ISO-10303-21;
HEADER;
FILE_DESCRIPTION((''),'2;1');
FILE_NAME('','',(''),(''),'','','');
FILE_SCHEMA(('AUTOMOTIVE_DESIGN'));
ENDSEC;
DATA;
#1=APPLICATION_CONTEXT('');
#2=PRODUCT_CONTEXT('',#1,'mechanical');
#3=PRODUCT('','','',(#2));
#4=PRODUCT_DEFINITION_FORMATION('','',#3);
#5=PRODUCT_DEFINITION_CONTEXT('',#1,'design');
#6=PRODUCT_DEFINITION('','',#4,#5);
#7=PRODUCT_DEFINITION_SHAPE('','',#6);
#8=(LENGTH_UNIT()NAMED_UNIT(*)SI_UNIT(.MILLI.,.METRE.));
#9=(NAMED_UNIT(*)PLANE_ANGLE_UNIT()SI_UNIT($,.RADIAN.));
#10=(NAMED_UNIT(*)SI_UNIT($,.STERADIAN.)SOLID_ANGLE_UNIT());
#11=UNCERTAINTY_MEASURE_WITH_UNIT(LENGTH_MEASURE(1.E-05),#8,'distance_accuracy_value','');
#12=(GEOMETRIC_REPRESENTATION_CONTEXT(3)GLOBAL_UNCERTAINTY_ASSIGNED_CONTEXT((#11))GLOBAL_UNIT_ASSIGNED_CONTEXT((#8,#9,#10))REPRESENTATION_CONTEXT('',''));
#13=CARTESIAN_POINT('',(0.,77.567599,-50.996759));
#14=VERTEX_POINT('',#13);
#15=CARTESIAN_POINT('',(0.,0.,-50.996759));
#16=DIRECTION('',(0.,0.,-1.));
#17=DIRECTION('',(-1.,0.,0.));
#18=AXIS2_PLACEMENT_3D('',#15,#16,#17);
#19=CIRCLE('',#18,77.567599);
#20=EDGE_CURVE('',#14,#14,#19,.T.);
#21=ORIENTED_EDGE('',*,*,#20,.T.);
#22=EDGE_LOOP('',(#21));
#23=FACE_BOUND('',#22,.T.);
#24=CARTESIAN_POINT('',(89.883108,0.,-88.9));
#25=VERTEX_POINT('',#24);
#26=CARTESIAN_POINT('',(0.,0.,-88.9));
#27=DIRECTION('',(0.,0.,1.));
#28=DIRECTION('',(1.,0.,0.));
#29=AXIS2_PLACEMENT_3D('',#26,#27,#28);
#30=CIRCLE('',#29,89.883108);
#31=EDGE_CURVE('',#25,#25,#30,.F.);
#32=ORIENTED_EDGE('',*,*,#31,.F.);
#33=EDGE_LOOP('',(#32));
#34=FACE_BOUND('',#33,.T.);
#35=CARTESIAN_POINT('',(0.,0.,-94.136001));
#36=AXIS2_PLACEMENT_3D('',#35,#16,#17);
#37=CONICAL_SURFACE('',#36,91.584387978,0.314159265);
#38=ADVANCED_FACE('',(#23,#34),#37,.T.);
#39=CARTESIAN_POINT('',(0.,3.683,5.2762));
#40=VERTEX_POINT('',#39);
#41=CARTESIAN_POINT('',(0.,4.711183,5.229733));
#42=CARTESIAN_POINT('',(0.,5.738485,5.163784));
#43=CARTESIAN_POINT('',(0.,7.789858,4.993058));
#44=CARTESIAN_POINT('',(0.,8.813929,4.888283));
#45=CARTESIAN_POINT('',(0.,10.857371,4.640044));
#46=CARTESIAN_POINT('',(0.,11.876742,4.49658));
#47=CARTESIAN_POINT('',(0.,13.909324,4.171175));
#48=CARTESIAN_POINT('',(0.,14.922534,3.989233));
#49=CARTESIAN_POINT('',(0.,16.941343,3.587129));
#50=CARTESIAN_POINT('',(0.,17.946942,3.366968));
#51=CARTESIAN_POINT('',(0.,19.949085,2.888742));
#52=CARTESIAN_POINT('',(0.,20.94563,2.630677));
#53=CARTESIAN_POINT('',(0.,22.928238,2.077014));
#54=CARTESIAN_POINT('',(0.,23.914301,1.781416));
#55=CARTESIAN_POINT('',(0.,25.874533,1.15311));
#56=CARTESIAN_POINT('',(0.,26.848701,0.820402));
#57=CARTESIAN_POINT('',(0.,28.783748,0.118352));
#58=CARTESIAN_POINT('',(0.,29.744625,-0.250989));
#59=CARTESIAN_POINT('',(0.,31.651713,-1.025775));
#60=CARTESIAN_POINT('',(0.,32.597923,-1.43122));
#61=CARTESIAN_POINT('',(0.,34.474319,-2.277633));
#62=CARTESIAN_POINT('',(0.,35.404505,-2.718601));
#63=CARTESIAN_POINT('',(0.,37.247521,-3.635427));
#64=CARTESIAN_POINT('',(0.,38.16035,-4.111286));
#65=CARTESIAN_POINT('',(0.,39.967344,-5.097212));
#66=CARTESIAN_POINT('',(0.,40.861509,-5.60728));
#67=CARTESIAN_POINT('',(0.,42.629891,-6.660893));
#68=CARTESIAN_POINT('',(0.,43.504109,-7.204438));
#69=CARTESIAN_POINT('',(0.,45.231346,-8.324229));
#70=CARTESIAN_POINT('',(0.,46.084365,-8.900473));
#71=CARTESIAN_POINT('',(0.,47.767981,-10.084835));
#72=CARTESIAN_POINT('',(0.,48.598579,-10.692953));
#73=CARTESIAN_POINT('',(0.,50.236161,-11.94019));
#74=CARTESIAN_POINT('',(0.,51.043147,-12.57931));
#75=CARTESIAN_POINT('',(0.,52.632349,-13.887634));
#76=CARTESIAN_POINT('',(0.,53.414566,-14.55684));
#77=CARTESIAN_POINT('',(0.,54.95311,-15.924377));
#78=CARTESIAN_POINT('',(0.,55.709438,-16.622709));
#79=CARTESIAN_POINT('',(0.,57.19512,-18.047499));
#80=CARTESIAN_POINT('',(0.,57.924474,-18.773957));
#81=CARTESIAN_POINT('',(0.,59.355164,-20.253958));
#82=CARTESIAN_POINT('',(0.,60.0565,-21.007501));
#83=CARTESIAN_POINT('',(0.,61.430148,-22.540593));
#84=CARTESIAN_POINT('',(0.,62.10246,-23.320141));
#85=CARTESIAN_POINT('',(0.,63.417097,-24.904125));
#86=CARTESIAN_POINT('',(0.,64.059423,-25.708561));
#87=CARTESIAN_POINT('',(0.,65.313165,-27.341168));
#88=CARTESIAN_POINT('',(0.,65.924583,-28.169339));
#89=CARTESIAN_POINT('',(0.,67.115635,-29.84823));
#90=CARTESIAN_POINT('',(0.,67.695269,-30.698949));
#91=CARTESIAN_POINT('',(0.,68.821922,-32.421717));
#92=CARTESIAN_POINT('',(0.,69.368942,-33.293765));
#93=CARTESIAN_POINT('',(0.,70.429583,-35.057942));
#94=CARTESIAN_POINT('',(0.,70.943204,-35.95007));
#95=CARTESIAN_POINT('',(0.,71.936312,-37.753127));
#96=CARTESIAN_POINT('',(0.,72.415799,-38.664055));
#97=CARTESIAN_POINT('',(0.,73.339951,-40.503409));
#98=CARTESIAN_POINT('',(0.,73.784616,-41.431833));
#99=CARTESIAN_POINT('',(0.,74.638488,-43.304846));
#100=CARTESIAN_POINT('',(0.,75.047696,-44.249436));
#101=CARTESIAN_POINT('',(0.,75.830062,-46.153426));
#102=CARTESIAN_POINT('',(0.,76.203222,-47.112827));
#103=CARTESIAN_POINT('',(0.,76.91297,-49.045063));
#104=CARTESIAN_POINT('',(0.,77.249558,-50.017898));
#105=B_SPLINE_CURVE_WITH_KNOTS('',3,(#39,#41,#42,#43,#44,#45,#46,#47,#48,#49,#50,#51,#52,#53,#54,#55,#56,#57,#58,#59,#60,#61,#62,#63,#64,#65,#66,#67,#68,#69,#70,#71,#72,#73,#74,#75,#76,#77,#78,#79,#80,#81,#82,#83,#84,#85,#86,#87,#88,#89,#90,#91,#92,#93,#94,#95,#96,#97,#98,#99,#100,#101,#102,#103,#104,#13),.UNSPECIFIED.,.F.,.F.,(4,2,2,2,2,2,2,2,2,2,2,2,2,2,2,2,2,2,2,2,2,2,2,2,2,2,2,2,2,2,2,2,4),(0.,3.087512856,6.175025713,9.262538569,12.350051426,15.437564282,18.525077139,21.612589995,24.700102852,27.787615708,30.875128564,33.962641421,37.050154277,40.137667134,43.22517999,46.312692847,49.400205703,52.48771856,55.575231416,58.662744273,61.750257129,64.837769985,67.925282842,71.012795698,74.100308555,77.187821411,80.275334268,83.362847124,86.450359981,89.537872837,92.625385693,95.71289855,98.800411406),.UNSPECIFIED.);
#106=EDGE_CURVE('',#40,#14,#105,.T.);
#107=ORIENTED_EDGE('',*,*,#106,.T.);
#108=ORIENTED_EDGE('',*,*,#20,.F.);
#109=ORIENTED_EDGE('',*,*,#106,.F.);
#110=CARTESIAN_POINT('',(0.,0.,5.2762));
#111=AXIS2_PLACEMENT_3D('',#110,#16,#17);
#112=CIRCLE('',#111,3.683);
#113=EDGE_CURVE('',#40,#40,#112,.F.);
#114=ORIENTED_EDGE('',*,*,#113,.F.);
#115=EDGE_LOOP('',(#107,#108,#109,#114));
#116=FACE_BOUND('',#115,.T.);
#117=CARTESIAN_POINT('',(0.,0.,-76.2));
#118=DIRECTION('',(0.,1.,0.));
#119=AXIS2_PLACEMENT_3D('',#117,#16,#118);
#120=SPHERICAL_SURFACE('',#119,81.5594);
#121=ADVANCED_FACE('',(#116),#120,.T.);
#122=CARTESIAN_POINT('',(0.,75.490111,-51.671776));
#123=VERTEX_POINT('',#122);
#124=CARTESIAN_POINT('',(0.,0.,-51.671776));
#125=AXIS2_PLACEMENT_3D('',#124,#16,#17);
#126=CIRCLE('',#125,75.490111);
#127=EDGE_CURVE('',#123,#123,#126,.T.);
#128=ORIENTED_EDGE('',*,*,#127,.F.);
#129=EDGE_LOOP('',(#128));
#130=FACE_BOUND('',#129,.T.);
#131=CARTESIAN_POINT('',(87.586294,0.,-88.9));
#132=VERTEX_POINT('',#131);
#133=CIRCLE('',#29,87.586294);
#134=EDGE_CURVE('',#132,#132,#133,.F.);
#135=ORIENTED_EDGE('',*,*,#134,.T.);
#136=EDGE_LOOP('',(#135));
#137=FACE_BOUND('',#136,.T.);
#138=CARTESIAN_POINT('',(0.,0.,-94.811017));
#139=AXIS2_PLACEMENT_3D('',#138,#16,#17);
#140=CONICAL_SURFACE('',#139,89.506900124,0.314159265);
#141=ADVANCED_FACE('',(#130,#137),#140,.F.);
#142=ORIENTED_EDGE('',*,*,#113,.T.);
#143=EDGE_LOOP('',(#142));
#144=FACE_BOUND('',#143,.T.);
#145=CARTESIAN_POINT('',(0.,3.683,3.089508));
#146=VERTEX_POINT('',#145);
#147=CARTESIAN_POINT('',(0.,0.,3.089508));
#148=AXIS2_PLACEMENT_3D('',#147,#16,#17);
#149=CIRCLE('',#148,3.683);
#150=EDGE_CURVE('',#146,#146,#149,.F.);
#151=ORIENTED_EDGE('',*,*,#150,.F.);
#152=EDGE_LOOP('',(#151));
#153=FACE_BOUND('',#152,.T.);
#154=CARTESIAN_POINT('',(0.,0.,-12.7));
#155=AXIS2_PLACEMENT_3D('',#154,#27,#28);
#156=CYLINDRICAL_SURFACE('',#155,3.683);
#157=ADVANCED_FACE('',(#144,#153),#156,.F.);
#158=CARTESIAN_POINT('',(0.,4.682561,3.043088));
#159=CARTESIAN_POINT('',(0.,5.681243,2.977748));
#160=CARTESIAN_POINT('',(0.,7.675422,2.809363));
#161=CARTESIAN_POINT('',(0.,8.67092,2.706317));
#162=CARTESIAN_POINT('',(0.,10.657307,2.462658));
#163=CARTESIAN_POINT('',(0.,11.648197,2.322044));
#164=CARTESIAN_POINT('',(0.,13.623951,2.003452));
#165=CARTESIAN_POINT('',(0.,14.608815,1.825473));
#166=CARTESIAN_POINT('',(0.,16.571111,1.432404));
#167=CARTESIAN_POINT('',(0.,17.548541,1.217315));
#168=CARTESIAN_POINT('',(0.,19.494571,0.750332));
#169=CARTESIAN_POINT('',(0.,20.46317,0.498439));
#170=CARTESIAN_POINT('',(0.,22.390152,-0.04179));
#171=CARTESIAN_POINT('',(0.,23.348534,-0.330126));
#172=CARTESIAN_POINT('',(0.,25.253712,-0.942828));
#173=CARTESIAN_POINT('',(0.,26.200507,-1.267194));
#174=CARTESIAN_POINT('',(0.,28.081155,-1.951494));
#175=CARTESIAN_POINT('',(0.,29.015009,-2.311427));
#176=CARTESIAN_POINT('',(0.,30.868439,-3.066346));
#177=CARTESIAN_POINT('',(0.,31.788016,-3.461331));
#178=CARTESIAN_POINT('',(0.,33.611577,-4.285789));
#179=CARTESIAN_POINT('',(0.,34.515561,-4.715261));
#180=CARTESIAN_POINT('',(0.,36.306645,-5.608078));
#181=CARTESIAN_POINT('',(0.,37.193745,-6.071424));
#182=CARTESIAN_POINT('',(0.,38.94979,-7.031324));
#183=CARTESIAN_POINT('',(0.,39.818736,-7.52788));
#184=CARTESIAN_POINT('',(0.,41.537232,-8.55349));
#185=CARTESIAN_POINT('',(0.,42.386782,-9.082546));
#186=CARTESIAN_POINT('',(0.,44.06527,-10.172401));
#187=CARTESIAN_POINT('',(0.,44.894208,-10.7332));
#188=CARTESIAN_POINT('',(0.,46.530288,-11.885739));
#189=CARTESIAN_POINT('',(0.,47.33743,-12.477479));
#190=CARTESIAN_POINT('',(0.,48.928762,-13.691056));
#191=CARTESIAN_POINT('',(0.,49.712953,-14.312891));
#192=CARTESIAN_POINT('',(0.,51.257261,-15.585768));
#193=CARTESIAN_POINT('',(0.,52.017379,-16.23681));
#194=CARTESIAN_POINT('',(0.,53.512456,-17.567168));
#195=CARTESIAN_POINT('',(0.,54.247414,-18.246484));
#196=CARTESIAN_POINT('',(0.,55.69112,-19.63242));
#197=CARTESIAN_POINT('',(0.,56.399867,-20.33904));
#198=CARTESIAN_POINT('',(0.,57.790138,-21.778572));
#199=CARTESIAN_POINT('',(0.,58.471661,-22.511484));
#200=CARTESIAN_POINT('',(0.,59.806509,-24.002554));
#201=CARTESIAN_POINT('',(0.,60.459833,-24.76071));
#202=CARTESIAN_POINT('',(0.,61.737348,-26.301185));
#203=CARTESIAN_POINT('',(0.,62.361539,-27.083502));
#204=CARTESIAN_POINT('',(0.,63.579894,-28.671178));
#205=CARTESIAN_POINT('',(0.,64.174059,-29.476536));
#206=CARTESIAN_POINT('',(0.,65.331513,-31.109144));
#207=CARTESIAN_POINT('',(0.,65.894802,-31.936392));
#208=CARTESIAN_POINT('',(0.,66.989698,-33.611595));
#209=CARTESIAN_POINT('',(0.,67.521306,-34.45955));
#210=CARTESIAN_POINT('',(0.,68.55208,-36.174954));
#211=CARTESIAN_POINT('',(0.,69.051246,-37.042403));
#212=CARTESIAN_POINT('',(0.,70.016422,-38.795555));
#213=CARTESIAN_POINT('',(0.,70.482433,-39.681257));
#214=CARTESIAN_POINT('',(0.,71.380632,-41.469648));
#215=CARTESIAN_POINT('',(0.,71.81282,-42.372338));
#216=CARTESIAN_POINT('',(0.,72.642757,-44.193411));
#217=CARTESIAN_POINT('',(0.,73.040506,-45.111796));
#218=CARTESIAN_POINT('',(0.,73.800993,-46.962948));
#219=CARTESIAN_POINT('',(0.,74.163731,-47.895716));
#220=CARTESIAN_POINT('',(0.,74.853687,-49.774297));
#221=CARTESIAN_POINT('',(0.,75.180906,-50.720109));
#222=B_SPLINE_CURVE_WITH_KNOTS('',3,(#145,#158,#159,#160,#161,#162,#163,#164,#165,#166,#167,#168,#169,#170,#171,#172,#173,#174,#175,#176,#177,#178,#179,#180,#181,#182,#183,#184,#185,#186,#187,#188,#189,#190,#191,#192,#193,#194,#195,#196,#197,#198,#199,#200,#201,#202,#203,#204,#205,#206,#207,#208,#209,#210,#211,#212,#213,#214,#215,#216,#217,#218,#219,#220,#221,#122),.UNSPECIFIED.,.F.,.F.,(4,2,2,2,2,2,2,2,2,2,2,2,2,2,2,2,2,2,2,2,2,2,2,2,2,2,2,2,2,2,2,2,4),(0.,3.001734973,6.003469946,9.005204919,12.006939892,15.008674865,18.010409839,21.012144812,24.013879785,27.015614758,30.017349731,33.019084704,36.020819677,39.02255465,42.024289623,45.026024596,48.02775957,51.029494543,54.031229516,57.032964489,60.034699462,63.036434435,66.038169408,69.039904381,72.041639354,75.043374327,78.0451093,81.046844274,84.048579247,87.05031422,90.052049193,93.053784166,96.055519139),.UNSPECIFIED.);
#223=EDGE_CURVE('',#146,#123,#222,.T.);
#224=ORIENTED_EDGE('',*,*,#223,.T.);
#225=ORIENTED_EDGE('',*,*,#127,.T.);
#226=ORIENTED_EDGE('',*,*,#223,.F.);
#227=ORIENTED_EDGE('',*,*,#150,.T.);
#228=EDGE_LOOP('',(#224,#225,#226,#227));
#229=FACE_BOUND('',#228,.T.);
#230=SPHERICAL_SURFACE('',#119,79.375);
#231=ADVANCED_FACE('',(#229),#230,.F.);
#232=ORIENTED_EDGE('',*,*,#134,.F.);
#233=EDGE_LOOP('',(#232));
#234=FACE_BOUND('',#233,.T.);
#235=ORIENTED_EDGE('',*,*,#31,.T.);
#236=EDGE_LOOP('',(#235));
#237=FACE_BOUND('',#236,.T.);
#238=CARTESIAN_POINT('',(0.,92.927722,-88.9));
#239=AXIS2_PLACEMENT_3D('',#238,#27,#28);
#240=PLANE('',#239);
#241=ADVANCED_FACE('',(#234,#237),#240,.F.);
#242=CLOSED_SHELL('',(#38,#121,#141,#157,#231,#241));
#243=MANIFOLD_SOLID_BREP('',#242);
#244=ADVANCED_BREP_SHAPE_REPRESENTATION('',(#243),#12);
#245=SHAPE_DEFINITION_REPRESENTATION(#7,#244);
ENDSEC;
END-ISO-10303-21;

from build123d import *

# Parameters (mm, degrees)
SKETCH3_R                  = 3.683
CE_00_HOLE_AT_CENTER_DEPTH = 12.7


with BuildPart() as part:
    # Sketch1 → Revolve-Thin1 (revolve)
    with BuildSketch(Plane(origin=(0, 0, 0), x_dir=(0, 0, -1), z_dir=(1, 0, 0)), mode=Mode.PRIVATE) as revolve_thin1_sk:
        with BuildLine():
            ThreePointArc((-3.175, 0), (11.984276071, 46.655454401), (51.671776071, 75.490110981))
            Line((51.671776071, 75.490110981), (94.81101726, 89.506900124))
            ThreePointArc((94.81101726, 89.506900124), (97.98601726, 91.81367265), (99.198759346, 95.546109002))
            Line((99.198759346, 95.546109002), (99.198759346, 114.3))
            Line((99.198759346, 114.3), (97.014359346, 114.3))
            Line((97.014359346, 114.3), (97.014359346, 95.546109002))
            ThreePointArc((97.014359346, 95.546109002), (96.218800538, 93.097630755), (94.136000538, 91.584387978))
            Line((94.136000538, 91.584387978), (50.996759349, 77.567598835))
            ThreePointArc((50.996759349, 77.567598835), (10.217059349, 47.939412506), (-5.3594, 0))
            Line((-5.3594, 0), (-3.175, 0))
        make_face()
    revolve(revolve_thin1_sk.sketch.rotate(Axis((0, 0, -134.341700673), (0, 0, 1)), 90), axis=Axis((0, 0, -134.341700673), (0, 0, 1)))

    # Sketch5 → Cut-Revolve1 (revolve, cut)
    with BuildSketch(Plane(origin=(0, 0, 0), x_dir=(0, 0, -1), z_dir=(1, 0, 0))):
        with BuildLine():
            Line((-8.255, 0), (-23.88640598, 0))
            Line((-23.88640598, 0), (-23.88640598, 127.217845703))
            Line((-23.88640598, 127.217845703), (116.252745686, 127.217845703))
            Line((116.252745686, 127.217845703), (116.252745686, 73.62445992))
            Line((116.252745686, 73.62445992), (88.9, 73.62445992))
            Line((88.9, 73.62445992), (88.9, 92.92772229))
            Line((88.9, 92.92772229), (50.10196974, 80.321478084))
            ThreePointArc((50.10196974, 80.321478084), (7.87446974, 49.641403482), (-8.255, 0))
        make_face()
    revolve(axis=Axis((0, 0, -134.341700673), (0, 0, 1)), mode=Mode.SUBTRACT)

    # Sketch3 → CE-00 Hole at center (cut, symmetric)
    with BuildSketch(Plane.XY):
        with Locations(Location((0, 0, 0), (0, 0, 90))):
            Circle(SKETCH3_R)
    extrude(amount=CE_00_HOLE_AT_CENTER_DEPTH, both=True, mode=Mode.SUBTRACT)


solid = part.part
